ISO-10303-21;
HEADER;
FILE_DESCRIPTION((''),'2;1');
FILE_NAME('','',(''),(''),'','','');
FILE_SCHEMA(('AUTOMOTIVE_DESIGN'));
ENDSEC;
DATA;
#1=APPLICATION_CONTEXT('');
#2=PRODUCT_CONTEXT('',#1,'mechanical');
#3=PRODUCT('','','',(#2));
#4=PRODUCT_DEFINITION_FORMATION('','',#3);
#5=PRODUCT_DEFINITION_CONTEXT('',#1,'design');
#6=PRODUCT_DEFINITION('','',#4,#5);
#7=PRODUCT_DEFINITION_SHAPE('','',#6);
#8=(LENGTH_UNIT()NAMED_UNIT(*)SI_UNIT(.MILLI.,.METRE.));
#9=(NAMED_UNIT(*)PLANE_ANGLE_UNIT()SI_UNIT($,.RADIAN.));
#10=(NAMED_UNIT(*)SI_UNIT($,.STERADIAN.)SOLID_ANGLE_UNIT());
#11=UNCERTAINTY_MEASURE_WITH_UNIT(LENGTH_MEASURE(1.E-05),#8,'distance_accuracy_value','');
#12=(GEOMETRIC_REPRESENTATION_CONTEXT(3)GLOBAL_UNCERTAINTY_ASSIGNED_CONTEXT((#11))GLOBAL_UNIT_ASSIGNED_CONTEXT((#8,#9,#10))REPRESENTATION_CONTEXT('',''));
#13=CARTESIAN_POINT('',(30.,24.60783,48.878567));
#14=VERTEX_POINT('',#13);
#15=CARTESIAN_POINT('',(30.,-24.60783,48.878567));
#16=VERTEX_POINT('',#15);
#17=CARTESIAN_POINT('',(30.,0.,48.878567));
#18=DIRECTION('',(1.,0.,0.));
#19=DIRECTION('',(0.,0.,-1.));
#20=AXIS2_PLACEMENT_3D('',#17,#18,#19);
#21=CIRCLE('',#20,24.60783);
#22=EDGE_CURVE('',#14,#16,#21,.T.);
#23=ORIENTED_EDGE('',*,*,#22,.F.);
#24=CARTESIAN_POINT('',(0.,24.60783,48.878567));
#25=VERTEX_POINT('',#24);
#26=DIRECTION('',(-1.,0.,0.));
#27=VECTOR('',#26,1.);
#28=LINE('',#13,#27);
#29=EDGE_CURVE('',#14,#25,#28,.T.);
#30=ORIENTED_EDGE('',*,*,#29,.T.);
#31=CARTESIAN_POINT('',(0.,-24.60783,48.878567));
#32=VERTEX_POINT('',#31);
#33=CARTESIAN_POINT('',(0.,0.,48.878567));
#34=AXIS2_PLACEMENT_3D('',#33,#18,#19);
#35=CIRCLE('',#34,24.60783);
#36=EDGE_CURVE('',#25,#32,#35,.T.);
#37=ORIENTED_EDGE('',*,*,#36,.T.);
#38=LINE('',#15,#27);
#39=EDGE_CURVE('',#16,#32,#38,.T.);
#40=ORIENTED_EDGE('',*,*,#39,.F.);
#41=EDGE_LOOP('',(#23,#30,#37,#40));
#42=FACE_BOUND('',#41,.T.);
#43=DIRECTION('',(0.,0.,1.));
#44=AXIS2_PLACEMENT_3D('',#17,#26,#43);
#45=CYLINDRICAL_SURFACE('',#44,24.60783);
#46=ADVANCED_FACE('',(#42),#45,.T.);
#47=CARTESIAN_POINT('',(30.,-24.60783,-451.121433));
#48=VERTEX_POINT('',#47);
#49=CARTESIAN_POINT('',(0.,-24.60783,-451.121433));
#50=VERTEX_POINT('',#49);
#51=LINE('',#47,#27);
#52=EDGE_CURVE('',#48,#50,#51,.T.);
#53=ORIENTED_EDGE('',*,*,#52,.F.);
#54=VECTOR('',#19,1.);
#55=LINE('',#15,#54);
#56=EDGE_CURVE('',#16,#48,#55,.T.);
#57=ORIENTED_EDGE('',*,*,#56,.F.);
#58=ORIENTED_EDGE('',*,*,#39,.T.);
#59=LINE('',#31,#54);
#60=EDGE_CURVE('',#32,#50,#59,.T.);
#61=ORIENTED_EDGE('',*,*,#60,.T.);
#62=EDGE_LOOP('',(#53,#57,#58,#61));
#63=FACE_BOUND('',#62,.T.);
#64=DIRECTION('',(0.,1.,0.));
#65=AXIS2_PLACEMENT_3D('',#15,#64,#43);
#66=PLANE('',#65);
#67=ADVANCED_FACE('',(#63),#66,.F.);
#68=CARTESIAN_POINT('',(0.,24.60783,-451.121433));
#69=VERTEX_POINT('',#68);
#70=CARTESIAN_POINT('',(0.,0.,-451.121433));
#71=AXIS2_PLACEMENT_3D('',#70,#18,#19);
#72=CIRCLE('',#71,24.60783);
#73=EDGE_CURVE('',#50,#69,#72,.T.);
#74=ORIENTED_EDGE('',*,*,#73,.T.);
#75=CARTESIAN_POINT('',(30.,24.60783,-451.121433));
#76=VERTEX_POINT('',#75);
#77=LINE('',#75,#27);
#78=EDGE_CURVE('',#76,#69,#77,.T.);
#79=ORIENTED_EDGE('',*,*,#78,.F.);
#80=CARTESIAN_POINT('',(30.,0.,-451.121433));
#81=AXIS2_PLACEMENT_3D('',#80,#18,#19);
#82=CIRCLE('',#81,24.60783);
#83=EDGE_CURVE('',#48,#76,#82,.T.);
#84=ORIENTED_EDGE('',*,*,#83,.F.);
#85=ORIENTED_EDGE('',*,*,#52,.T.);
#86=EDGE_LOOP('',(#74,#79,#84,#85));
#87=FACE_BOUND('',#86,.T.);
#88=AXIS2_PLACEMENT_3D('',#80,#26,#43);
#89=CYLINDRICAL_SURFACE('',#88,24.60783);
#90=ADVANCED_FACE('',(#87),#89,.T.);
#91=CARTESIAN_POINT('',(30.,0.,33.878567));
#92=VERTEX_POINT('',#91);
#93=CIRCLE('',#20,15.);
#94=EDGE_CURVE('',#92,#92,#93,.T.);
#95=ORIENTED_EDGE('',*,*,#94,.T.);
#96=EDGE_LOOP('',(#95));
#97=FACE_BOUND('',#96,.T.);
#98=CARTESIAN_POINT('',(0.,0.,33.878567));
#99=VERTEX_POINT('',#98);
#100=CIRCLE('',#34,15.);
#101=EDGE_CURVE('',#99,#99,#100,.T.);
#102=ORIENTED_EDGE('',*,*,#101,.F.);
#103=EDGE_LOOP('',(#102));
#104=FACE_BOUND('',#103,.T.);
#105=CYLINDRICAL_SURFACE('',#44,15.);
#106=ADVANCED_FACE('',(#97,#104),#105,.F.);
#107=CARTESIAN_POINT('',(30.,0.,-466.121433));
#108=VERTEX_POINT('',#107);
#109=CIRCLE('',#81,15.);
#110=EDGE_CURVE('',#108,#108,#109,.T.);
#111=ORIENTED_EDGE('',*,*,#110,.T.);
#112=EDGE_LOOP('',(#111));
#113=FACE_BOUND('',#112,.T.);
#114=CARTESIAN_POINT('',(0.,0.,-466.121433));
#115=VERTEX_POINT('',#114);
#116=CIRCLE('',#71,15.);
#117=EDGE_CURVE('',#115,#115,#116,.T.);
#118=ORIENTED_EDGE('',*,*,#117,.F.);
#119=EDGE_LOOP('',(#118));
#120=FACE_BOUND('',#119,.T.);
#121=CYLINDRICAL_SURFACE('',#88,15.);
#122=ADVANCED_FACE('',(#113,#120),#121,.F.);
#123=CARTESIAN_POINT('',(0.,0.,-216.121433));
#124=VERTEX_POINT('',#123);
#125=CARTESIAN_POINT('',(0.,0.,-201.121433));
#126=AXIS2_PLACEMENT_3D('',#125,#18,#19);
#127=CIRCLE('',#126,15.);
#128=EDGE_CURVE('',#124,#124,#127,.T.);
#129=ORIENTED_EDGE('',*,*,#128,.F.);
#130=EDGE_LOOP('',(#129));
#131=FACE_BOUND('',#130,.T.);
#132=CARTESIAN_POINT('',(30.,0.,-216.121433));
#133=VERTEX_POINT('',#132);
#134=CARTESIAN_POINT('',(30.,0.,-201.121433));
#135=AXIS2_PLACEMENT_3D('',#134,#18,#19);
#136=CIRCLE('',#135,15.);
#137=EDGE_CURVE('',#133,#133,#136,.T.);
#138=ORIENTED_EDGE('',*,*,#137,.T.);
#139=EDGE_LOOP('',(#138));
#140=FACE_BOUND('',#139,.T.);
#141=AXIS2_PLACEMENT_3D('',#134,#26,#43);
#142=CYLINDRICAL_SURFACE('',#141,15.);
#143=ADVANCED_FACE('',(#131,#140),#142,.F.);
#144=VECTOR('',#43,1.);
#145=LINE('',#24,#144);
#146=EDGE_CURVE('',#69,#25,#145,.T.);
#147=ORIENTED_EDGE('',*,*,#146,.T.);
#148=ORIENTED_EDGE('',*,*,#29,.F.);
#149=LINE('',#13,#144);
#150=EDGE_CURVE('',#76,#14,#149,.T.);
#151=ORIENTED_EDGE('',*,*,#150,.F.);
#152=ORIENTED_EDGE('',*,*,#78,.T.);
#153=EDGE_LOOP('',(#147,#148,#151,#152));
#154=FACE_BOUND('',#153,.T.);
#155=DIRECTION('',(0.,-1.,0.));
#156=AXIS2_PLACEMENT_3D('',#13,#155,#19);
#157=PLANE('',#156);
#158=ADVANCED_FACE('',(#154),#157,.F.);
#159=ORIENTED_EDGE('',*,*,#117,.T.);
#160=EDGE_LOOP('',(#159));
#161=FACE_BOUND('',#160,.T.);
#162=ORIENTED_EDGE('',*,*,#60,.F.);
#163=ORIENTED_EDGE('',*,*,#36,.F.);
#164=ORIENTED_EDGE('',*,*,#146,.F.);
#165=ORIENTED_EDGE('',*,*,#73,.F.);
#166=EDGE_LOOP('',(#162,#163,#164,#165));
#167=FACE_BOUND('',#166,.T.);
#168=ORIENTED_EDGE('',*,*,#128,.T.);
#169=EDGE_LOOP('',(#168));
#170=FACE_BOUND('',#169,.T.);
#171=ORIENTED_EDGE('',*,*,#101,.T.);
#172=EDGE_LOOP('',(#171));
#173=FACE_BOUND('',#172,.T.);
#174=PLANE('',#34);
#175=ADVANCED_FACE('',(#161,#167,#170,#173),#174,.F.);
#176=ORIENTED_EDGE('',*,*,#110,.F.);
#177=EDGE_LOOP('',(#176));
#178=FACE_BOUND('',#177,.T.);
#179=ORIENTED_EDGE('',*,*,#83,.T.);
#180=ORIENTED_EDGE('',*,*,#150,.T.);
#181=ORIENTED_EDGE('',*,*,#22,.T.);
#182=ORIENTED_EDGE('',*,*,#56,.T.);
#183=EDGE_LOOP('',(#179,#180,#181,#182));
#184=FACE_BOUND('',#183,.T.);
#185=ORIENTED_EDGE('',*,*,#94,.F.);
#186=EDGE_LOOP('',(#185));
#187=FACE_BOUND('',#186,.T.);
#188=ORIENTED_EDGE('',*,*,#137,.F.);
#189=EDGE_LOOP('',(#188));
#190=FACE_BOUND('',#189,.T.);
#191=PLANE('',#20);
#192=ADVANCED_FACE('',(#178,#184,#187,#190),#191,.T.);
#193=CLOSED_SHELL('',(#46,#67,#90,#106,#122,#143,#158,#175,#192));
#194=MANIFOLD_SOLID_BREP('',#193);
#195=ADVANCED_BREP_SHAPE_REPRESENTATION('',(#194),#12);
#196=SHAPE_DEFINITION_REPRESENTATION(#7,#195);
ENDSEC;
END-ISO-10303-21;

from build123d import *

# Parameters (mm, degrees)
SKETCH1_R           = 15
BOSS_EXTRUDE1_DEPTH = 30


with BuildPart() as part:
    # Sketch1 → Boss-Extrude1 (new body)
    with BuildSketch(Plane(origin=(0, 0, 0), x_dir=(0, 0, -1), z_dir=(1, 0, 0))):
        with BuildLine():
            Line((-48.878566689, 24.607830126), (451.121433311, 24.607830126))
            ThreePointArc((451.121433311, 24.607830126), (475.729263437, 0), (451.121433311, -24.607830126))
            Line((451.121433311, -24.607830126), (-48.878566689, -24.607830126))
            ThreePointArc((-48.878566689, -24.607830126), (-73.486396815, 0), (-48.878566689, 24.607830126))
        make_face()
        with Locations((-48.878566689, 0)):
            Circle(SKETCH1_R, mode=Mode.SUBTRACT)
        with Locations((451.121433311, 0)):
            Circle(SKETCH1_R, mode=Mode.SUBTRACT)
        with Locations((201.121433311, 0)):
            Circle(SKETCH1_R, mode=Mode.SUBTRACT)
    extrude(amount=BOSS_EXTRUDE1_DEPTH)


solid = part.part
